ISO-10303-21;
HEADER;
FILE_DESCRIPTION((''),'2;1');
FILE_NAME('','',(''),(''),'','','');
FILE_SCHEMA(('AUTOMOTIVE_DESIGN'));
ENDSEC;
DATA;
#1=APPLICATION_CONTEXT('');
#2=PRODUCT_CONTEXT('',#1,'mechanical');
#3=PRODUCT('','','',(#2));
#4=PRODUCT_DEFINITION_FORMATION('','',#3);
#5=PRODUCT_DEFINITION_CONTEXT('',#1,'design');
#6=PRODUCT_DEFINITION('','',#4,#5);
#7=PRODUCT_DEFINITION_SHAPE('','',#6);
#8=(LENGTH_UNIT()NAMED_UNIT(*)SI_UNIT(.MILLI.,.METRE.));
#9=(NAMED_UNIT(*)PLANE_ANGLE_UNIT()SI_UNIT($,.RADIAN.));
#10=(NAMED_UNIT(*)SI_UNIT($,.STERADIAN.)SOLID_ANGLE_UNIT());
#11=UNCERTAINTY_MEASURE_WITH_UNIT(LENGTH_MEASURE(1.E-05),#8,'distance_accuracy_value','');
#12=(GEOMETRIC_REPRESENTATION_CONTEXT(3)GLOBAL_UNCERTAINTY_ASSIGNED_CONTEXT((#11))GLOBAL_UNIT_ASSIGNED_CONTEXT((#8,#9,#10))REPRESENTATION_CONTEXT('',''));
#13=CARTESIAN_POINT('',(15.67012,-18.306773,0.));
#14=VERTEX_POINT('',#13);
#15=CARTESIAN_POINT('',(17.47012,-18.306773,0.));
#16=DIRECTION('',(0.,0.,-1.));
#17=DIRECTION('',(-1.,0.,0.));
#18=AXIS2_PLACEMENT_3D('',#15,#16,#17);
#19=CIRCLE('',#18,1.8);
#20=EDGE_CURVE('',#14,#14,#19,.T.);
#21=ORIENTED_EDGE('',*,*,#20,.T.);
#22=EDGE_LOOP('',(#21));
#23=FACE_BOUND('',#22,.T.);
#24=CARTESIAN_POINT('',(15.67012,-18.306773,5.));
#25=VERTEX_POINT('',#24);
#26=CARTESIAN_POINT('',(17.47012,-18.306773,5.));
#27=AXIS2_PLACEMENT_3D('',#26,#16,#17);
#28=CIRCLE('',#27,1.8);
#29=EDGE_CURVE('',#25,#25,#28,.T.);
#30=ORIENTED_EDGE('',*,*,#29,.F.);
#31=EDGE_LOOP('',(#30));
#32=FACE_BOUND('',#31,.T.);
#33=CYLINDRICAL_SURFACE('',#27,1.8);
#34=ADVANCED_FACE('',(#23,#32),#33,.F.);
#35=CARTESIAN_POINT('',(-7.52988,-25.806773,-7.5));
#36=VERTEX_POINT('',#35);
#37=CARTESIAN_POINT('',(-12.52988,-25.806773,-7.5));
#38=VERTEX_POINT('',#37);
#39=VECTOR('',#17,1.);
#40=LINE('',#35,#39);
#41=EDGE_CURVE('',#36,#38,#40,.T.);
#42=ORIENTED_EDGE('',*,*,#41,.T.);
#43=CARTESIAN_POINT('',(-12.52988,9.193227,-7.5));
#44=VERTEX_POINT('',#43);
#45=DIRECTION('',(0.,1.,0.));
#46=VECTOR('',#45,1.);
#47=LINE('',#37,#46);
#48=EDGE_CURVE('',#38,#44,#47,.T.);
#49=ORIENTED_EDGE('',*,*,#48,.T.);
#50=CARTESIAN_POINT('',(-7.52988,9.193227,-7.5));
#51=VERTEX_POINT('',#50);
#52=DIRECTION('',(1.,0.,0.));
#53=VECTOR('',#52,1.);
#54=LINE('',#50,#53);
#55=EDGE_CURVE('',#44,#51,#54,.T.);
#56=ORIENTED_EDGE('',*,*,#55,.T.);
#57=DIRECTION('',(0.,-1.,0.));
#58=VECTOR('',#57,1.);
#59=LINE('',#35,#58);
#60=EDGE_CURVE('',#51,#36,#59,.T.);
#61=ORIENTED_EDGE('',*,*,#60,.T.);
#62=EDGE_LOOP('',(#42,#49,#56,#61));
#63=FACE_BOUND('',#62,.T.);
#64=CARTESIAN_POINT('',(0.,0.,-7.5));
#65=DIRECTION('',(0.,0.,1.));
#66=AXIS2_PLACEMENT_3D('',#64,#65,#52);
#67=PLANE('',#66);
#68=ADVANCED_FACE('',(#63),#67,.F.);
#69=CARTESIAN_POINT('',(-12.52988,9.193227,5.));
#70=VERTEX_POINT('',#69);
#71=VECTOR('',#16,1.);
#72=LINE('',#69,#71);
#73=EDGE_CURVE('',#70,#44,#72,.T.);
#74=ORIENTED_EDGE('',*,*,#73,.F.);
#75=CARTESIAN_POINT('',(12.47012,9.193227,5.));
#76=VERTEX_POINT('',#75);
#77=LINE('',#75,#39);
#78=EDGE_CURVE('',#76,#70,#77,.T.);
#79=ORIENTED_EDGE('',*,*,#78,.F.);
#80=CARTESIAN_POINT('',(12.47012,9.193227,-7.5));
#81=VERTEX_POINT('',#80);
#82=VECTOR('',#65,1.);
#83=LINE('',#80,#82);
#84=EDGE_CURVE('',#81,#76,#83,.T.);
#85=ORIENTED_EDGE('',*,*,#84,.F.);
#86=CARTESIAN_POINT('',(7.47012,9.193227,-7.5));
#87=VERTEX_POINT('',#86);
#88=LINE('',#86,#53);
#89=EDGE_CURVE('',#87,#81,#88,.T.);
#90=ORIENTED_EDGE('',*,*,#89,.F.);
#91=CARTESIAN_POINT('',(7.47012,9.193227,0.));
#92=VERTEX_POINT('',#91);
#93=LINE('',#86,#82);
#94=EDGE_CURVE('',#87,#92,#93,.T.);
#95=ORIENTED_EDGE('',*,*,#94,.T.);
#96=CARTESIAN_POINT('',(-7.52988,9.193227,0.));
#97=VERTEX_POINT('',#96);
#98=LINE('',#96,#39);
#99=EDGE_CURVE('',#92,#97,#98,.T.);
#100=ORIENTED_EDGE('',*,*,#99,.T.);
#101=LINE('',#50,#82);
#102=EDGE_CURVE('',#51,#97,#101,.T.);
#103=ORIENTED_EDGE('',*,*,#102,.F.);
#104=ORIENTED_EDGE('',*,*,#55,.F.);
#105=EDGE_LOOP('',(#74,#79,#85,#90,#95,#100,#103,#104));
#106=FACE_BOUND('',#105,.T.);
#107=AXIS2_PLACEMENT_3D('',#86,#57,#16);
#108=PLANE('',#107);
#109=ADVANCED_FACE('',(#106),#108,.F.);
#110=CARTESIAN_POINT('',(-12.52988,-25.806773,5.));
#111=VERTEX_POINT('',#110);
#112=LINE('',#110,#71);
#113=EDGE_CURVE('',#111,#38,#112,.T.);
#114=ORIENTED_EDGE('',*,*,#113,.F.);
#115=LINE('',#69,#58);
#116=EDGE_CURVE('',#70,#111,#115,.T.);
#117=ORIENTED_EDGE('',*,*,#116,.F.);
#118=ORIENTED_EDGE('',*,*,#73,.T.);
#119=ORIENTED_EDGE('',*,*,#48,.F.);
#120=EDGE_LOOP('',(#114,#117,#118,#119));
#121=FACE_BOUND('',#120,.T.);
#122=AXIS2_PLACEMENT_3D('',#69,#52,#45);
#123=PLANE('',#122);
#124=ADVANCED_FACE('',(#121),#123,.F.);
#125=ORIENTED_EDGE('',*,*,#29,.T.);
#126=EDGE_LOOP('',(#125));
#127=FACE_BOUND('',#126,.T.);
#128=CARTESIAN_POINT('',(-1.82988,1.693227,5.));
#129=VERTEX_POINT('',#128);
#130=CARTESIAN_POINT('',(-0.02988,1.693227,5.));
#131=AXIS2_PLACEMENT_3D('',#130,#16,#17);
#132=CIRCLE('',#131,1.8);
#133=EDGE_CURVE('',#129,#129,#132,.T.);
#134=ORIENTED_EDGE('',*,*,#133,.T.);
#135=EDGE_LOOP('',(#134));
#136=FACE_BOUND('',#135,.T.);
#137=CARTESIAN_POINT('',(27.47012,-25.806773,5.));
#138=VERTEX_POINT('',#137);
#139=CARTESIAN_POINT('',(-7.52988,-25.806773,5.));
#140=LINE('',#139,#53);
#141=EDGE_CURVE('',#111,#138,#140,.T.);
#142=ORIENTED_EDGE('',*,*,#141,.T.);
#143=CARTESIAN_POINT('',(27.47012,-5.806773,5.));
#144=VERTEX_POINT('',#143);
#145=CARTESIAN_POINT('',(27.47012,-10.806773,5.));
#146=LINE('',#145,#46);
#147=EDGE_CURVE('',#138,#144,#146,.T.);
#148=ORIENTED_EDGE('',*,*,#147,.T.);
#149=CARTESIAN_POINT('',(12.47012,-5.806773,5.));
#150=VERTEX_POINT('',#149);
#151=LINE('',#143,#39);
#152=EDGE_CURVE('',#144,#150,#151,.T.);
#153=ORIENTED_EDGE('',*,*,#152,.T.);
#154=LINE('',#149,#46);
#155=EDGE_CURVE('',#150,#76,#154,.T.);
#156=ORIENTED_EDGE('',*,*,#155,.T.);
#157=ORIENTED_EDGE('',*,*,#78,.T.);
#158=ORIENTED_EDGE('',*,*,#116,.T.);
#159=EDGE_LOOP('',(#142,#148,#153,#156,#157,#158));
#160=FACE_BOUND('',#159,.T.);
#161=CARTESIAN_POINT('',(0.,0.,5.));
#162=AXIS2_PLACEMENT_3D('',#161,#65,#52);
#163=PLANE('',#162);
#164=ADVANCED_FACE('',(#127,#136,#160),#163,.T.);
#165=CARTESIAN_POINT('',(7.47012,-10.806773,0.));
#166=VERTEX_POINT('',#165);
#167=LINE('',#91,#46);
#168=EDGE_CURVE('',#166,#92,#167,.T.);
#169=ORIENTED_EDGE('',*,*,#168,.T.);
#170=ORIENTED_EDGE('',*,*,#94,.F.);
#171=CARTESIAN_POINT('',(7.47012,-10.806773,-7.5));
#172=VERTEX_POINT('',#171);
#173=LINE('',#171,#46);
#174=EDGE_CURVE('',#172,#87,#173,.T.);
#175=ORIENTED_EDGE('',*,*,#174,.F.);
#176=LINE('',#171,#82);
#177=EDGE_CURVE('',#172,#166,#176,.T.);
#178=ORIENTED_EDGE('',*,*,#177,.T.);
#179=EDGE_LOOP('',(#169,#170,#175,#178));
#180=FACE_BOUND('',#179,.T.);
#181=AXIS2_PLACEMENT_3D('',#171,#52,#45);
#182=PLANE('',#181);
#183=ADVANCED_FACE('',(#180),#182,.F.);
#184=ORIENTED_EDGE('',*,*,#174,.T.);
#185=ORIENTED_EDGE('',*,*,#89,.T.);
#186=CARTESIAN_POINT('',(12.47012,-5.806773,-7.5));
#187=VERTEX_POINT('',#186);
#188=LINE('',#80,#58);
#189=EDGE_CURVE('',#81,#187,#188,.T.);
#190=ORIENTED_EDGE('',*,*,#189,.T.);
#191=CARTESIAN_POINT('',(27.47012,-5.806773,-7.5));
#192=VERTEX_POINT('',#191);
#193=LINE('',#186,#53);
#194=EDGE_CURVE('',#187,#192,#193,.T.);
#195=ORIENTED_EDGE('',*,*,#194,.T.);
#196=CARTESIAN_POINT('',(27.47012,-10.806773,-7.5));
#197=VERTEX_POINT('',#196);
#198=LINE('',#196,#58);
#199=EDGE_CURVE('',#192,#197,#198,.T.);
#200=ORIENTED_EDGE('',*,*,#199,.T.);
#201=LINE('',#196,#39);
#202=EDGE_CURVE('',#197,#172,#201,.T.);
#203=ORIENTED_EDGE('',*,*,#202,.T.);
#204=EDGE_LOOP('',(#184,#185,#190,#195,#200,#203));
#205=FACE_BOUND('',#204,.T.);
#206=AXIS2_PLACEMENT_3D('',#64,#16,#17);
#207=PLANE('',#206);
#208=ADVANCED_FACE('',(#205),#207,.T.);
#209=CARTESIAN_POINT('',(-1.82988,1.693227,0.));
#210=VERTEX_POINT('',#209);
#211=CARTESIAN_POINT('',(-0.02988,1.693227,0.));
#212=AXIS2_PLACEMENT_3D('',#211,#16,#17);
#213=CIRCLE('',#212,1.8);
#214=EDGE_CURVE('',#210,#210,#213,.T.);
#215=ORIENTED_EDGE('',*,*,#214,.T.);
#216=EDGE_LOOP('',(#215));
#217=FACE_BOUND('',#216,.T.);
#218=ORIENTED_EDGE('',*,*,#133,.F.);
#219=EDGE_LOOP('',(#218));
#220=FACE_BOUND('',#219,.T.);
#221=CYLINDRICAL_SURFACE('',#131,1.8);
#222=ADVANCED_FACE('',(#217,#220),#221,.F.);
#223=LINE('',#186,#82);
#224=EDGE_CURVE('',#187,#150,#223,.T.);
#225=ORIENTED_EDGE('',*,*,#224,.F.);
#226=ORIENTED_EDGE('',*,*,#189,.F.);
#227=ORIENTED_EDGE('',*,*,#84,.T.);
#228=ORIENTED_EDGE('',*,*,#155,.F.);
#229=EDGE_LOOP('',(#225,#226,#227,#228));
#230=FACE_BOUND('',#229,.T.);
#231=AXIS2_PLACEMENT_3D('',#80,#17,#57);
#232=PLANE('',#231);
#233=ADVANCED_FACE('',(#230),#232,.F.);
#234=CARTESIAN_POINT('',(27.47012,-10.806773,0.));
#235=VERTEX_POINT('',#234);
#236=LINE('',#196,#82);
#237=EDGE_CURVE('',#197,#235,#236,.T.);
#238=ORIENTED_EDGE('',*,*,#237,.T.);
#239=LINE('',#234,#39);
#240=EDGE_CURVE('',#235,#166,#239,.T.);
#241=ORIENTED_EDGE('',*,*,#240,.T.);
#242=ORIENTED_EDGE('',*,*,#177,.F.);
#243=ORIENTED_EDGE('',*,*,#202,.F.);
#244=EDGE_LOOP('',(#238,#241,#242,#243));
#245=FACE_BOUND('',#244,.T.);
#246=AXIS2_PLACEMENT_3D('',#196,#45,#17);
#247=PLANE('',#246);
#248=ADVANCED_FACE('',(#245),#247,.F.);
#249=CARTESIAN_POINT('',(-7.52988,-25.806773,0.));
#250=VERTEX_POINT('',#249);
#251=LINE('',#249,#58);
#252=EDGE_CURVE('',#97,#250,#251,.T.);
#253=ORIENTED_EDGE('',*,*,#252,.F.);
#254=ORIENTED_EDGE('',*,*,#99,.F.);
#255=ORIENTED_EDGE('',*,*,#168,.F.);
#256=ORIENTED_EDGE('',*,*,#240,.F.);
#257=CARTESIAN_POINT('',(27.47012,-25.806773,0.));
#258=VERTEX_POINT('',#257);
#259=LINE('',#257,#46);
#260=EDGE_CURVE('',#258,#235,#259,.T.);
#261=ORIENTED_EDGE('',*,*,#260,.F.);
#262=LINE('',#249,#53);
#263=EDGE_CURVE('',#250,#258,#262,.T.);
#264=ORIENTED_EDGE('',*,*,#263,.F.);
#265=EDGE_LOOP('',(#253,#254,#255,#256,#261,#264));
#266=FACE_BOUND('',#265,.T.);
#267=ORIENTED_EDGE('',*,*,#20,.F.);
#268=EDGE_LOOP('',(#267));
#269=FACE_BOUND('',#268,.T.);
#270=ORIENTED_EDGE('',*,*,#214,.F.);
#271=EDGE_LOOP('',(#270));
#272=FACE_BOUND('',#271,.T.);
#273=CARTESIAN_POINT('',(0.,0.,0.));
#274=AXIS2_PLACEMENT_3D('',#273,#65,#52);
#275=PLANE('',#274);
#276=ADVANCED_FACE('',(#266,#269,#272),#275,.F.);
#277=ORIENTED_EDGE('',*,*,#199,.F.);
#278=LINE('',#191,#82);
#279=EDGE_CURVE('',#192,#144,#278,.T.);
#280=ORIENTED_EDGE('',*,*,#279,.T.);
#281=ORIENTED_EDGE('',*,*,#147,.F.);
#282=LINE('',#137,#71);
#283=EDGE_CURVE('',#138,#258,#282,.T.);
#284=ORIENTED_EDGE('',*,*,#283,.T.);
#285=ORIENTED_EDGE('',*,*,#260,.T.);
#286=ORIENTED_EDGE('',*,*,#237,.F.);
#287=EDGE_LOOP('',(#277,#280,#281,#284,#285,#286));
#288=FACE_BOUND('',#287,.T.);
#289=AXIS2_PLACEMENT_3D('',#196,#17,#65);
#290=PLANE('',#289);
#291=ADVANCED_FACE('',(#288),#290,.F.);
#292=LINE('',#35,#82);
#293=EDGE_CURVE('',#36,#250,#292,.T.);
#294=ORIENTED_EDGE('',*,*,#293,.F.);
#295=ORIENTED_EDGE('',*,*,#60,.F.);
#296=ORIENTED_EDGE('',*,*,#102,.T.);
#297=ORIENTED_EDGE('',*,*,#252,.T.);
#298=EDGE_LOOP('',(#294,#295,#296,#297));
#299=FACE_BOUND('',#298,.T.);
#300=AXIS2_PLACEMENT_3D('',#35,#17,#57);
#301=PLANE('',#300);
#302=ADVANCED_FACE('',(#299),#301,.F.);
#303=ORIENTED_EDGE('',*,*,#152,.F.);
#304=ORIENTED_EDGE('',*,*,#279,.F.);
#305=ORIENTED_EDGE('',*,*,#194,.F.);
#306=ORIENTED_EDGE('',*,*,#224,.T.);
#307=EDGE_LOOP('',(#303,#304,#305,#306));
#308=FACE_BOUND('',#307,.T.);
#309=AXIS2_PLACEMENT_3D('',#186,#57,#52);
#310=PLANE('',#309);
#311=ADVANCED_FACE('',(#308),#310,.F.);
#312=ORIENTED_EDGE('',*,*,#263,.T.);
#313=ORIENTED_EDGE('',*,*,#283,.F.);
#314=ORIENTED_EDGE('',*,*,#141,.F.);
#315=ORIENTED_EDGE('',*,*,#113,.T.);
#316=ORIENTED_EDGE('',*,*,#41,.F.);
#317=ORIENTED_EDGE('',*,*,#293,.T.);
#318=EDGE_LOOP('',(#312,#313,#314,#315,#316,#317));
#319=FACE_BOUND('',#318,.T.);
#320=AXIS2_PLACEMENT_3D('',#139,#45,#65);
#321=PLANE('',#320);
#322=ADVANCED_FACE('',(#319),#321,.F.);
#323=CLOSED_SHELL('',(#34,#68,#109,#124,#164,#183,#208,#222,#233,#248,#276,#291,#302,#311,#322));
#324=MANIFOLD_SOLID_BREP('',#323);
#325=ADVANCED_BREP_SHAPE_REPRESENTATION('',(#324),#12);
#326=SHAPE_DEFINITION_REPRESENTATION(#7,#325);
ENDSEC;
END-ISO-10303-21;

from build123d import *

# Parameters (mm, degrees)
BOSS_EXTRUDE1_DEPTH = 5
BOSS_EXTRUDE2_DEPTH = 7.5
SKETCH3_W           = 5
SKETCH3_H           = 35
BOSS_EXTRUDE3_DEPTH = 7.5
SKETCH4_W           = 5
SKETCH4_H           = 35
BOSS_EXTRUDE4_DEPTH = 5
BOSS_EXTRUDE5_DEPTH = 5
SKETCH7_R           = 1.8
CUT_EXTRUDE1_DEPTH  = 6


with BuildPart() as part:
    # Sketch1 → Boss-Extrude1 (new body)
    with BuildSketch(Plane.XY):
        Polygon((-7.529880478, -25.806772908), (27.470119522, -25.806772908), (27.470119522, -10.806772908), (7.470119522, -10.806772908), (7.470119522, 9.193227092), (-7.529880478, 9.193227092), align=None)
    extrude(amount=BOSS_EXTRUDE1_DEPTH)



with BuildPart() as body_2:
    # Sketch2 → Boss-Extrude2 (new body)
    with BuildSketch(Plane(origin=(0, 0, 0), x_dir=(-1, 0, 0), z_dir=(0, 0, -1))):
        Polygon((-7.470119522, 9.193227092), (-12.470119522, 9.193227092), (-12.470119522, -5.806772908), (-27.470119522, -5.806772908), (-27.470119522, -10.806772908), (-7.470119522, -10.806772908), align=None)
    extrude(amount=BOSS_EXTRUDE2_DEPTH)


with BuildPart() as body_3:
    # Sketch3 → Boss-Extrude3 (new body)
    with BuildSketch(Plane(origin=(0, 0, 0), x_dir=(-1, 0, 0), z_dir=(0, 0, -1))):
        with Locations((10.029880478, -8.306772908)):
            Rectangle(SKETCH3_W, SKETCH3_H)
    extrude(amount=BOSS_EXTRUDE3_DEPTH)


with BuildPart() as part_1:
    add(part.part)

    add(body_3.part)  # Boss-Extrude4 merges body 3
    # Sketch4 → Boss-Extrude4 (add)
    with BuildSketch(Plane.XY):
        with Locations((-10.029880478, -8.306772908)):
            Rectangle(SKETCH4_W, SKETCH4_H)
    extrude(amount=BOSS_EXTRUDE4_DEPTH)


    add(body_2.part)  # Boss-Extrude5 merges body 2
    # Sketch5 → Boss-Extrude5 (add)
    with BuildSketch(Plane.XY):
        Polygon((7.470119522, 9.193227092), (7.470119522, -10.806772908), (27.470119522, -10.806772908), (27.470119522, -5.806772908), (12.470119522, -5.806772908), (12.470119522, 9.193227092), align=None)
    extrude(amount=BOSS_EXTRUDE5_DEPTH)

    # Sketch7 → Cut-Extrude1 (cut, through all)
    with BuildSketch(Plane(origin=(0, 0, 0), x_dir=(-1, 0, 0), z_dir=(0, 0, -1))):
        with Locations((0.029880478, 1.693227092)):
            Circle(SKETCH7_R)
        with Locations((-17.470119522, -18.306772908)):
            Circle(SKETCH7_R)
    extrude(amount=-CUT_EXTRUDE1_DEPTH, mode=Mode.SUBTRACT)


solid = part_1.part
